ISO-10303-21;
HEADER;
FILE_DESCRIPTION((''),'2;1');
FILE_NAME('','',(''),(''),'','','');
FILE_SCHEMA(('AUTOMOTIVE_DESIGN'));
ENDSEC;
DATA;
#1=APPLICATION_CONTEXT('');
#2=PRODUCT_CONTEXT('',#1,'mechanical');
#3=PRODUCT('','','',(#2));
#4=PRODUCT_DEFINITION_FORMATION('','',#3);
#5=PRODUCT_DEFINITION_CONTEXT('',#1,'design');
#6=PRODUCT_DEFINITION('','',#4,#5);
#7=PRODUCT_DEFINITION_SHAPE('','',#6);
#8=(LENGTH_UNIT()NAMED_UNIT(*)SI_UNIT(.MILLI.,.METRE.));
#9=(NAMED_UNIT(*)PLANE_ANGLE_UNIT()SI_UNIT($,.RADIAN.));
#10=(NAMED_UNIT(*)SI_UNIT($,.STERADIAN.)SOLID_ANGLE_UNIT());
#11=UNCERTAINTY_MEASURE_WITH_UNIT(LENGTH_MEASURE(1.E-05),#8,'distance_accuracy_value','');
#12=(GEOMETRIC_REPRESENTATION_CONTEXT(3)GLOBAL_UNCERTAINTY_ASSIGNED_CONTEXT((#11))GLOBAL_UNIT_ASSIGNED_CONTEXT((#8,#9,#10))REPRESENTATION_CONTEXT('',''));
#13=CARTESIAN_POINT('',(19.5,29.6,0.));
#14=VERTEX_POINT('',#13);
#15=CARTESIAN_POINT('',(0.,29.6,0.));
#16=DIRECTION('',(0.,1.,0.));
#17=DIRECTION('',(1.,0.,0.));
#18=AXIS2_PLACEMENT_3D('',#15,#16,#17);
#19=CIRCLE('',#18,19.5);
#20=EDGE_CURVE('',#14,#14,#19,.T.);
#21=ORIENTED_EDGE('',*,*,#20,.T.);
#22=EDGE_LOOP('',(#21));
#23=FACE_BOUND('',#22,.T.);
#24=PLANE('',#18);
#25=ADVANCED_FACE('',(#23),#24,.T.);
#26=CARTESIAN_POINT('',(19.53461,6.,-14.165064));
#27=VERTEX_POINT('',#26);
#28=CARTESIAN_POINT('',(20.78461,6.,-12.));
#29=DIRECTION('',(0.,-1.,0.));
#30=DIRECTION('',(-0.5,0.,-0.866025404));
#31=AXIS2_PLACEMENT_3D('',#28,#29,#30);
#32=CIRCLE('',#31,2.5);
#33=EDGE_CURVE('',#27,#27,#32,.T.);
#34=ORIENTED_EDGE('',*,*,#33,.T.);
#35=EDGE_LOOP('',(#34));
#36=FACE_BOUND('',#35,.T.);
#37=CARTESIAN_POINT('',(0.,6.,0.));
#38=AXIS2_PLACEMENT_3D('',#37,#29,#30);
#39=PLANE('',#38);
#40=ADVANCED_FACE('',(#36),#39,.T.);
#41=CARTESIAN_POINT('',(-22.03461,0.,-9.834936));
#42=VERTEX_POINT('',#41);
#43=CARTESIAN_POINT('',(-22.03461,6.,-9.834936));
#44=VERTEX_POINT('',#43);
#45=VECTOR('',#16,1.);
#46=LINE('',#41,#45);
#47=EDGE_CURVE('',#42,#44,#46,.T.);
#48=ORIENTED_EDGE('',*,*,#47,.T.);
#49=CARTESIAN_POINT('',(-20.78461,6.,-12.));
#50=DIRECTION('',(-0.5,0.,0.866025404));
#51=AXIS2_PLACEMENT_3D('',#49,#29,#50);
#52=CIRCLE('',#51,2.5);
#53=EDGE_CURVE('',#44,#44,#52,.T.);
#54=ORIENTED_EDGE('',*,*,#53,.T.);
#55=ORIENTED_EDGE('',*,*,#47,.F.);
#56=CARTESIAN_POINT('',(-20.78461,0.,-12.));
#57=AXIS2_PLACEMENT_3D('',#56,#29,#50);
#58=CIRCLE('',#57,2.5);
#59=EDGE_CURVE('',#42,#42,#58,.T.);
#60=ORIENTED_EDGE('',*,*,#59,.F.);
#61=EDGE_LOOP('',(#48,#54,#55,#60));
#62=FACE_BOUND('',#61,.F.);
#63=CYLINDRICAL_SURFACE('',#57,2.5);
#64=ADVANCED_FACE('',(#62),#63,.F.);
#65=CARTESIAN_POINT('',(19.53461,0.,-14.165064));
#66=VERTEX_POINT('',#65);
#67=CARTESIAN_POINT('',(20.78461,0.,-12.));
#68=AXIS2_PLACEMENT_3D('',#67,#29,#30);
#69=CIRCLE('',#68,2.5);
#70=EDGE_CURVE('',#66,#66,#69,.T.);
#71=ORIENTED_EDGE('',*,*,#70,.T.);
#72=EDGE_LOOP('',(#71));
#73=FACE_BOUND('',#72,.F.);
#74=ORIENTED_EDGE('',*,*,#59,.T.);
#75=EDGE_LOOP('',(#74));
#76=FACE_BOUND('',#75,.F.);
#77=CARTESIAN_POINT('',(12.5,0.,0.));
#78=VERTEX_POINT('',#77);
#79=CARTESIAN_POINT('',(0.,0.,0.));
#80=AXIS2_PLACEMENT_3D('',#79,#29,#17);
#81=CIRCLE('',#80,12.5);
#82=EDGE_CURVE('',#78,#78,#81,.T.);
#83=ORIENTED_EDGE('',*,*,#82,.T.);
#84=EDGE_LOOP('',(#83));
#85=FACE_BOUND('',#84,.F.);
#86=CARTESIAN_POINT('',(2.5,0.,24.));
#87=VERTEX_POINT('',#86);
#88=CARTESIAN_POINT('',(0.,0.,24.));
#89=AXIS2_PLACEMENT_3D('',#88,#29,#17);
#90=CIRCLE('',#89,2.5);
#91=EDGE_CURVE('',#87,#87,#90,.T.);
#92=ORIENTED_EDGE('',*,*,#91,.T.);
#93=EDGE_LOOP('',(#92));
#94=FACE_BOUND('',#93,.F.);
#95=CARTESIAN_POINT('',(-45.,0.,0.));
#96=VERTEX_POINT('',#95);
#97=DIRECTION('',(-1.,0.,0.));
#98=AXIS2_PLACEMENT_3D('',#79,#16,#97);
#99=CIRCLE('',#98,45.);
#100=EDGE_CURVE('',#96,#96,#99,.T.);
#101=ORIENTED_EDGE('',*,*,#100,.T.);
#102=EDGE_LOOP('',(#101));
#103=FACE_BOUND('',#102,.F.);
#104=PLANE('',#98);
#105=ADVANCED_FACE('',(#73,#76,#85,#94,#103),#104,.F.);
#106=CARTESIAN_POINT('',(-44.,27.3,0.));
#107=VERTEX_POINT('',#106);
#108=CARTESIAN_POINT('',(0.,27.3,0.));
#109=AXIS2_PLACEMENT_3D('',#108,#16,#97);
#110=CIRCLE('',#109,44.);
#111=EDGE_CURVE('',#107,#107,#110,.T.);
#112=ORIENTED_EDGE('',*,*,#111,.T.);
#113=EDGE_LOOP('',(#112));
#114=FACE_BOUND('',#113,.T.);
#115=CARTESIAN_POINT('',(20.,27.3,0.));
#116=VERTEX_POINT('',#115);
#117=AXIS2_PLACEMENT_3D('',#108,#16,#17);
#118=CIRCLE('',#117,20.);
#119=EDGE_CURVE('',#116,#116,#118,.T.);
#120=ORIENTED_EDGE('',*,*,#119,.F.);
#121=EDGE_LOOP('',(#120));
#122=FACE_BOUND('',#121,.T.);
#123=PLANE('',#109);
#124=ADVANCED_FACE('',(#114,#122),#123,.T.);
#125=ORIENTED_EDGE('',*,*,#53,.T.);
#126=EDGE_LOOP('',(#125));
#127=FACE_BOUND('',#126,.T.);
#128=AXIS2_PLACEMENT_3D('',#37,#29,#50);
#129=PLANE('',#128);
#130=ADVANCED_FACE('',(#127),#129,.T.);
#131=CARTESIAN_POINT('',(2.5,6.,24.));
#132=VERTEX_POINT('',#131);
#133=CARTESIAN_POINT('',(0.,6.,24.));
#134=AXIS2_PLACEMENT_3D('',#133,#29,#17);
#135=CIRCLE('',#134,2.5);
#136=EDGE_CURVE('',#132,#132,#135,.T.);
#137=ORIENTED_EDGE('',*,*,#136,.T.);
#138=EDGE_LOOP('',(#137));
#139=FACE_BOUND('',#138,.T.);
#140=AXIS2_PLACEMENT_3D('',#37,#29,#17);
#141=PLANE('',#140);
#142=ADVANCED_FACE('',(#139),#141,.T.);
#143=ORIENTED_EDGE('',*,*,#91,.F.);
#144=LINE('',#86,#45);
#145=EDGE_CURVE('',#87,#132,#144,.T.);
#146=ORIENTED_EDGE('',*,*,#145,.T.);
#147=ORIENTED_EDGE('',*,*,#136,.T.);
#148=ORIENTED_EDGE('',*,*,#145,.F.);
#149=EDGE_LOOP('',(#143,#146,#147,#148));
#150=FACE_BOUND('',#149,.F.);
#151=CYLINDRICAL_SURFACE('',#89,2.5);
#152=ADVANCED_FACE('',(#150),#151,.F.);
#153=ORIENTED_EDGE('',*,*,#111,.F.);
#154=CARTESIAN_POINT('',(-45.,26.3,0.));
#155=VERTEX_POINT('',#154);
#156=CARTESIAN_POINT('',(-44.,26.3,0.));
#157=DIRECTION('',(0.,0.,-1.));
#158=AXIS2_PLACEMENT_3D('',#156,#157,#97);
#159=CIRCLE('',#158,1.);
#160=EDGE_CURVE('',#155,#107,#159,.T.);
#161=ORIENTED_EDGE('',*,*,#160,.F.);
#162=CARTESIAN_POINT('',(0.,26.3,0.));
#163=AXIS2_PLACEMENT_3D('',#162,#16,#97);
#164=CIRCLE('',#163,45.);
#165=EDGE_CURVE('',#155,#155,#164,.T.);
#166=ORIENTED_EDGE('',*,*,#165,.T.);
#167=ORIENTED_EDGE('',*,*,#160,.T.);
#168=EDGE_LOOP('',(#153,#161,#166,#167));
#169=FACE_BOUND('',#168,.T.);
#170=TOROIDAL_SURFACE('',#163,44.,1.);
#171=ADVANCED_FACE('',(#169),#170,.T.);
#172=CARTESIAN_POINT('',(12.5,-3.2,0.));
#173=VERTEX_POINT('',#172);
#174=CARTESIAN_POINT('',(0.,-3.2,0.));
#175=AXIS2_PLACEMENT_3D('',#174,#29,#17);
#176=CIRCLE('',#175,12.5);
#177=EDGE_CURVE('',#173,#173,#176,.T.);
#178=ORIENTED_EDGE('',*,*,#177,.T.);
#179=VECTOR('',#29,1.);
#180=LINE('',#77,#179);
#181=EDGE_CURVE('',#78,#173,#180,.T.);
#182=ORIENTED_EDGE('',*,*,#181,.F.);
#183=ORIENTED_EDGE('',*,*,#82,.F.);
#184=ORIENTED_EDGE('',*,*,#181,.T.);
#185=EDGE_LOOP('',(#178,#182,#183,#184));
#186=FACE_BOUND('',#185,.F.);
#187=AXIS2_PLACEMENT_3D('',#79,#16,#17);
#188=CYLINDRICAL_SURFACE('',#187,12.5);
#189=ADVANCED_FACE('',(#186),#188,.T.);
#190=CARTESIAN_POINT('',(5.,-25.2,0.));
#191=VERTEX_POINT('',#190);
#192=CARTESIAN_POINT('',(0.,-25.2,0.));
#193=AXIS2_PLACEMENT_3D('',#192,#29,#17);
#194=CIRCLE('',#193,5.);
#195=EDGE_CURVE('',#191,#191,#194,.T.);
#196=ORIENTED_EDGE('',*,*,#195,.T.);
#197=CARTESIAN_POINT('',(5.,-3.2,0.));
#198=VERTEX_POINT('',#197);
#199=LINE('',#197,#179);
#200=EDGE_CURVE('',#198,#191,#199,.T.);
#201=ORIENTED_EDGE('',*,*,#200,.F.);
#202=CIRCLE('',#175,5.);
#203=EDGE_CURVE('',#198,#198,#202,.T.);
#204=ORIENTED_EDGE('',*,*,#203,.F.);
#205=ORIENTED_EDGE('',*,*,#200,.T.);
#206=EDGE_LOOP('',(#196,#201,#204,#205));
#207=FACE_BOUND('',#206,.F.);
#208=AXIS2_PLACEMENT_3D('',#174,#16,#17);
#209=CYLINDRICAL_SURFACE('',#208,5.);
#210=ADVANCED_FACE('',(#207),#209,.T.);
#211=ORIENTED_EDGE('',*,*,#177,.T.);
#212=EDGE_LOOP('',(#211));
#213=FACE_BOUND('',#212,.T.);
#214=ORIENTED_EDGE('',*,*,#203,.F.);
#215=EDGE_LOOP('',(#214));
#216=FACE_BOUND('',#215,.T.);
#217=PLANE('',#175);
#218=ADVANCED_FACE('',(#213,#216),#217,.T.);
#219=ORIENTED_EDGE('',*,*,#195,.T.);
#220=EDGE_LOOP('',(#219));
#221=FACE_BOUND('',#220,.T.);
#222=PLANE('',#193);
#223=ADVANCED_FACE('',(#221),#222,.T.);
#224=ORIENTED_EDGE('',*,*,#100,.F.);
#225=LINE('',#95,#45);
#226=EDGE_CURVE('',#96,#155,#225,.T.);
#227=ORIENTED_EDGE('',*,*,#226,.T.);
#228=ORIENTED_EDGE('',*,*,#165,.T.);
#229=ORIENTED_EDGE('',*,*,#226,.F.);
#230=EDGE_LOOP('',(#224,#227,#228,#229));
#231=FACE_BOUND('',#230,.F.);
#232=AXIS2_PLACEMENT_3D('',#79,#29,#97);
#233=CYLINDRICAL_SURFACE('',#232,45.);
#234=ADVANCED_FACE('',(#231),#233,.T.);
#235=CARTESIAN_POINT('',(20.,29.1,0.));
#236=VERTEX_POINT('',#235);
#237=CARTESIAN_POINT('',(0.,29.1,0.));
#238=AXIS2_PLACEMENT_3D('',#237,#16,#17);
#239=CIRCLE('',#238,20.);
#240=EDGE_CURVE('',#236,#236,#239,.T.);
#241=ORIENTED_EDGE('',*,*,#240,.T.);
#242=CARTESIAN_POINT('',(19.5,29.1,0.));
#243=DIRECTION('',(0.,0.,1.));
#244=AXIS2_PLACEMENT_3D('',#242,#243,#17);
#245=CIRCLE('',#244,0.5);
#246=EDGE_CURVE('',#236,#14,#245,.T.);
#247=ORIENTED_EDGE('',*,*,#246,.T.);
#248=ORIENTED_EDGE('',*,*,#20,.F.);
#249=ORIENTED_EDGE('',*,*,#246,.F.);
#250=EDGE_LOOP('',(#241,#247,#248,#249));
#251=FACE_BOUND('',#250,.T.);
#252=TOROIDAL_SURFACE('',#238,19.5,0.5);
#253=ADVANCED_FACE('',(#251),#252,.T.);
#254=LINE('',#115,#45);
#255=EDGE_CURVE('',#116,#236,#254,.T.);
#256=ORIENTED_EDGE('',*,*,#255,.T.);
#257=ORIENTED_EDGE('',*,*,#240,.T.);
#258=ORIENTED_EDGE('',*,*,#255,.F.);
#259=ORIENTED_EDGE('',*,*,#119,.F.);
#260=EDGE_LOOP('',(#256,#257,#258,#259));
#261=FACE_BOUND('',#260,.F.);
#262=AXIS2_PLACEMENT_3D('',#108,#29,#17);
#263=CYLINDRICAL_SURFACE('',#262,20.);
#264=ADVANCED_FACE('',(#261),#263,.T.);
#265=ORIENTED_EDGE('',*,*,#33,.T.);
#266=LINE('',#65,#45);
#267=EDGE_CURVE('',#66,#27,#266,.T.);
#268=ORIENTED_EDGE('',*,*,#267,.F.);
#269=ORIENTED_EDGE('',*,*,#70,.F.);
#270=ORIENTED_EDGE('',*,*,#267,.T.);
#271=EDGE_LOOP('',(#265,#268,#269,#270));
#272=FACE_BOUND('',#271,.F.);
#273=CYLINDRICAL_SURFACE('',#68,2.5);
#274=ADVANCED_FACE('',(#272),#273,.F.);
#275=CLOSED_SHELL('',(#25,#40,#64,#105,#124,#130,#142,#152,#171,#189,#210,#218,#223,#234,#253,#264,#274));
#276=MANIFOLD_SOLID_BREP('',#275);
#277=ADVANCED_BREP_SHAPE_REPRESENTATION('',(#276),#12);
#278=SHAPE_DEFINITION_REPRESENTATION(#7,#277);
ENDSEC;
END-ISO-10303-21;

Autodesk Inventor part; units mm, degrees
ref_plane "YZ Plane" through (0, 0, 0) normal (1, 0, 0) x (0, 1, 0)
ref_plane "XZ Plane" through (0, 0, 0) normal (0, 1, 0) x (-1, 0, 0)
ref_plane "XY Plane" through (0, 0, 0) normal (0, 0, 1) x (1, 0, 0)
sketch "Esquisse1" plane through (0, 0, 0) normal (0, 1, 0) x (-1, 0, 0)
  circle A0 centre (0, 0) radius 45
  dimension "d0" = 90
extrude "Extrusion1" add sketch "Esquisse1" along normal blind 27.3
fillet "Congé1" radius 1 1 edges at (45, 27.3, 0)
sketch "Esquisse2" plane through (0, 27.3, 0) normal (0, 1, 0) x (1, 0, 0)
  circle A0 centre (0, 0) radius 44 projected
  circle A1 centre (0, 0) radius 20
  dimension "d4" = 40
extrude "Extrusion2" add sketch "Esquisse2" along normal blind 2.3 contours A1
fillet "Congé2" radius 0.5 1 edges at (-20, 29.6, 0)
sketch "Esquisse3" plane through (0, 0, 0) normal (0, -1, 0) x (1, 0, 0)
  circle A0 centre (0, 0) radius 45 projected
  circle A1 centre (0, 0) radius 12.5
  dimension "d8" = 25
extrude "Extrusion3" add sketch "Esquisse3" along normal blind 3.2 contours A1
sketch "Esquisse5" plane through (0, -3.2, 0) normal (0, -1, 0) x (1, 0, 0)
  circle A0 centre (0, 0) radius 12.5 projected
  circle A1 centre (0, 0) radius 5
  dimension "d11" = 10
extrude "Extrusion4" add sketch "Esquisse5" along normal blind 22 contours A1
sketch "Esquisse6" plane through (0, 0, 0) normal (0, -1, 0) x (1, 0, 0)
  circle A0 centre (0, 0) radius 12.5 projected
  circle A1 centre (0, 24) radius 2.5
  dimension "d14" = 5
  dimension "d15" = 24
extrude "Extrusion5" cut sketch "Esquisse6" against normal blind 6 contours A1
pattern_circular "Réseau circulaire1" count 3 over 360 about axis through (0, 0, 0) along (0, -1, 0) of "Extrusion5"
properties part number "Moteur MAxon" material "Acier inoxydable"
